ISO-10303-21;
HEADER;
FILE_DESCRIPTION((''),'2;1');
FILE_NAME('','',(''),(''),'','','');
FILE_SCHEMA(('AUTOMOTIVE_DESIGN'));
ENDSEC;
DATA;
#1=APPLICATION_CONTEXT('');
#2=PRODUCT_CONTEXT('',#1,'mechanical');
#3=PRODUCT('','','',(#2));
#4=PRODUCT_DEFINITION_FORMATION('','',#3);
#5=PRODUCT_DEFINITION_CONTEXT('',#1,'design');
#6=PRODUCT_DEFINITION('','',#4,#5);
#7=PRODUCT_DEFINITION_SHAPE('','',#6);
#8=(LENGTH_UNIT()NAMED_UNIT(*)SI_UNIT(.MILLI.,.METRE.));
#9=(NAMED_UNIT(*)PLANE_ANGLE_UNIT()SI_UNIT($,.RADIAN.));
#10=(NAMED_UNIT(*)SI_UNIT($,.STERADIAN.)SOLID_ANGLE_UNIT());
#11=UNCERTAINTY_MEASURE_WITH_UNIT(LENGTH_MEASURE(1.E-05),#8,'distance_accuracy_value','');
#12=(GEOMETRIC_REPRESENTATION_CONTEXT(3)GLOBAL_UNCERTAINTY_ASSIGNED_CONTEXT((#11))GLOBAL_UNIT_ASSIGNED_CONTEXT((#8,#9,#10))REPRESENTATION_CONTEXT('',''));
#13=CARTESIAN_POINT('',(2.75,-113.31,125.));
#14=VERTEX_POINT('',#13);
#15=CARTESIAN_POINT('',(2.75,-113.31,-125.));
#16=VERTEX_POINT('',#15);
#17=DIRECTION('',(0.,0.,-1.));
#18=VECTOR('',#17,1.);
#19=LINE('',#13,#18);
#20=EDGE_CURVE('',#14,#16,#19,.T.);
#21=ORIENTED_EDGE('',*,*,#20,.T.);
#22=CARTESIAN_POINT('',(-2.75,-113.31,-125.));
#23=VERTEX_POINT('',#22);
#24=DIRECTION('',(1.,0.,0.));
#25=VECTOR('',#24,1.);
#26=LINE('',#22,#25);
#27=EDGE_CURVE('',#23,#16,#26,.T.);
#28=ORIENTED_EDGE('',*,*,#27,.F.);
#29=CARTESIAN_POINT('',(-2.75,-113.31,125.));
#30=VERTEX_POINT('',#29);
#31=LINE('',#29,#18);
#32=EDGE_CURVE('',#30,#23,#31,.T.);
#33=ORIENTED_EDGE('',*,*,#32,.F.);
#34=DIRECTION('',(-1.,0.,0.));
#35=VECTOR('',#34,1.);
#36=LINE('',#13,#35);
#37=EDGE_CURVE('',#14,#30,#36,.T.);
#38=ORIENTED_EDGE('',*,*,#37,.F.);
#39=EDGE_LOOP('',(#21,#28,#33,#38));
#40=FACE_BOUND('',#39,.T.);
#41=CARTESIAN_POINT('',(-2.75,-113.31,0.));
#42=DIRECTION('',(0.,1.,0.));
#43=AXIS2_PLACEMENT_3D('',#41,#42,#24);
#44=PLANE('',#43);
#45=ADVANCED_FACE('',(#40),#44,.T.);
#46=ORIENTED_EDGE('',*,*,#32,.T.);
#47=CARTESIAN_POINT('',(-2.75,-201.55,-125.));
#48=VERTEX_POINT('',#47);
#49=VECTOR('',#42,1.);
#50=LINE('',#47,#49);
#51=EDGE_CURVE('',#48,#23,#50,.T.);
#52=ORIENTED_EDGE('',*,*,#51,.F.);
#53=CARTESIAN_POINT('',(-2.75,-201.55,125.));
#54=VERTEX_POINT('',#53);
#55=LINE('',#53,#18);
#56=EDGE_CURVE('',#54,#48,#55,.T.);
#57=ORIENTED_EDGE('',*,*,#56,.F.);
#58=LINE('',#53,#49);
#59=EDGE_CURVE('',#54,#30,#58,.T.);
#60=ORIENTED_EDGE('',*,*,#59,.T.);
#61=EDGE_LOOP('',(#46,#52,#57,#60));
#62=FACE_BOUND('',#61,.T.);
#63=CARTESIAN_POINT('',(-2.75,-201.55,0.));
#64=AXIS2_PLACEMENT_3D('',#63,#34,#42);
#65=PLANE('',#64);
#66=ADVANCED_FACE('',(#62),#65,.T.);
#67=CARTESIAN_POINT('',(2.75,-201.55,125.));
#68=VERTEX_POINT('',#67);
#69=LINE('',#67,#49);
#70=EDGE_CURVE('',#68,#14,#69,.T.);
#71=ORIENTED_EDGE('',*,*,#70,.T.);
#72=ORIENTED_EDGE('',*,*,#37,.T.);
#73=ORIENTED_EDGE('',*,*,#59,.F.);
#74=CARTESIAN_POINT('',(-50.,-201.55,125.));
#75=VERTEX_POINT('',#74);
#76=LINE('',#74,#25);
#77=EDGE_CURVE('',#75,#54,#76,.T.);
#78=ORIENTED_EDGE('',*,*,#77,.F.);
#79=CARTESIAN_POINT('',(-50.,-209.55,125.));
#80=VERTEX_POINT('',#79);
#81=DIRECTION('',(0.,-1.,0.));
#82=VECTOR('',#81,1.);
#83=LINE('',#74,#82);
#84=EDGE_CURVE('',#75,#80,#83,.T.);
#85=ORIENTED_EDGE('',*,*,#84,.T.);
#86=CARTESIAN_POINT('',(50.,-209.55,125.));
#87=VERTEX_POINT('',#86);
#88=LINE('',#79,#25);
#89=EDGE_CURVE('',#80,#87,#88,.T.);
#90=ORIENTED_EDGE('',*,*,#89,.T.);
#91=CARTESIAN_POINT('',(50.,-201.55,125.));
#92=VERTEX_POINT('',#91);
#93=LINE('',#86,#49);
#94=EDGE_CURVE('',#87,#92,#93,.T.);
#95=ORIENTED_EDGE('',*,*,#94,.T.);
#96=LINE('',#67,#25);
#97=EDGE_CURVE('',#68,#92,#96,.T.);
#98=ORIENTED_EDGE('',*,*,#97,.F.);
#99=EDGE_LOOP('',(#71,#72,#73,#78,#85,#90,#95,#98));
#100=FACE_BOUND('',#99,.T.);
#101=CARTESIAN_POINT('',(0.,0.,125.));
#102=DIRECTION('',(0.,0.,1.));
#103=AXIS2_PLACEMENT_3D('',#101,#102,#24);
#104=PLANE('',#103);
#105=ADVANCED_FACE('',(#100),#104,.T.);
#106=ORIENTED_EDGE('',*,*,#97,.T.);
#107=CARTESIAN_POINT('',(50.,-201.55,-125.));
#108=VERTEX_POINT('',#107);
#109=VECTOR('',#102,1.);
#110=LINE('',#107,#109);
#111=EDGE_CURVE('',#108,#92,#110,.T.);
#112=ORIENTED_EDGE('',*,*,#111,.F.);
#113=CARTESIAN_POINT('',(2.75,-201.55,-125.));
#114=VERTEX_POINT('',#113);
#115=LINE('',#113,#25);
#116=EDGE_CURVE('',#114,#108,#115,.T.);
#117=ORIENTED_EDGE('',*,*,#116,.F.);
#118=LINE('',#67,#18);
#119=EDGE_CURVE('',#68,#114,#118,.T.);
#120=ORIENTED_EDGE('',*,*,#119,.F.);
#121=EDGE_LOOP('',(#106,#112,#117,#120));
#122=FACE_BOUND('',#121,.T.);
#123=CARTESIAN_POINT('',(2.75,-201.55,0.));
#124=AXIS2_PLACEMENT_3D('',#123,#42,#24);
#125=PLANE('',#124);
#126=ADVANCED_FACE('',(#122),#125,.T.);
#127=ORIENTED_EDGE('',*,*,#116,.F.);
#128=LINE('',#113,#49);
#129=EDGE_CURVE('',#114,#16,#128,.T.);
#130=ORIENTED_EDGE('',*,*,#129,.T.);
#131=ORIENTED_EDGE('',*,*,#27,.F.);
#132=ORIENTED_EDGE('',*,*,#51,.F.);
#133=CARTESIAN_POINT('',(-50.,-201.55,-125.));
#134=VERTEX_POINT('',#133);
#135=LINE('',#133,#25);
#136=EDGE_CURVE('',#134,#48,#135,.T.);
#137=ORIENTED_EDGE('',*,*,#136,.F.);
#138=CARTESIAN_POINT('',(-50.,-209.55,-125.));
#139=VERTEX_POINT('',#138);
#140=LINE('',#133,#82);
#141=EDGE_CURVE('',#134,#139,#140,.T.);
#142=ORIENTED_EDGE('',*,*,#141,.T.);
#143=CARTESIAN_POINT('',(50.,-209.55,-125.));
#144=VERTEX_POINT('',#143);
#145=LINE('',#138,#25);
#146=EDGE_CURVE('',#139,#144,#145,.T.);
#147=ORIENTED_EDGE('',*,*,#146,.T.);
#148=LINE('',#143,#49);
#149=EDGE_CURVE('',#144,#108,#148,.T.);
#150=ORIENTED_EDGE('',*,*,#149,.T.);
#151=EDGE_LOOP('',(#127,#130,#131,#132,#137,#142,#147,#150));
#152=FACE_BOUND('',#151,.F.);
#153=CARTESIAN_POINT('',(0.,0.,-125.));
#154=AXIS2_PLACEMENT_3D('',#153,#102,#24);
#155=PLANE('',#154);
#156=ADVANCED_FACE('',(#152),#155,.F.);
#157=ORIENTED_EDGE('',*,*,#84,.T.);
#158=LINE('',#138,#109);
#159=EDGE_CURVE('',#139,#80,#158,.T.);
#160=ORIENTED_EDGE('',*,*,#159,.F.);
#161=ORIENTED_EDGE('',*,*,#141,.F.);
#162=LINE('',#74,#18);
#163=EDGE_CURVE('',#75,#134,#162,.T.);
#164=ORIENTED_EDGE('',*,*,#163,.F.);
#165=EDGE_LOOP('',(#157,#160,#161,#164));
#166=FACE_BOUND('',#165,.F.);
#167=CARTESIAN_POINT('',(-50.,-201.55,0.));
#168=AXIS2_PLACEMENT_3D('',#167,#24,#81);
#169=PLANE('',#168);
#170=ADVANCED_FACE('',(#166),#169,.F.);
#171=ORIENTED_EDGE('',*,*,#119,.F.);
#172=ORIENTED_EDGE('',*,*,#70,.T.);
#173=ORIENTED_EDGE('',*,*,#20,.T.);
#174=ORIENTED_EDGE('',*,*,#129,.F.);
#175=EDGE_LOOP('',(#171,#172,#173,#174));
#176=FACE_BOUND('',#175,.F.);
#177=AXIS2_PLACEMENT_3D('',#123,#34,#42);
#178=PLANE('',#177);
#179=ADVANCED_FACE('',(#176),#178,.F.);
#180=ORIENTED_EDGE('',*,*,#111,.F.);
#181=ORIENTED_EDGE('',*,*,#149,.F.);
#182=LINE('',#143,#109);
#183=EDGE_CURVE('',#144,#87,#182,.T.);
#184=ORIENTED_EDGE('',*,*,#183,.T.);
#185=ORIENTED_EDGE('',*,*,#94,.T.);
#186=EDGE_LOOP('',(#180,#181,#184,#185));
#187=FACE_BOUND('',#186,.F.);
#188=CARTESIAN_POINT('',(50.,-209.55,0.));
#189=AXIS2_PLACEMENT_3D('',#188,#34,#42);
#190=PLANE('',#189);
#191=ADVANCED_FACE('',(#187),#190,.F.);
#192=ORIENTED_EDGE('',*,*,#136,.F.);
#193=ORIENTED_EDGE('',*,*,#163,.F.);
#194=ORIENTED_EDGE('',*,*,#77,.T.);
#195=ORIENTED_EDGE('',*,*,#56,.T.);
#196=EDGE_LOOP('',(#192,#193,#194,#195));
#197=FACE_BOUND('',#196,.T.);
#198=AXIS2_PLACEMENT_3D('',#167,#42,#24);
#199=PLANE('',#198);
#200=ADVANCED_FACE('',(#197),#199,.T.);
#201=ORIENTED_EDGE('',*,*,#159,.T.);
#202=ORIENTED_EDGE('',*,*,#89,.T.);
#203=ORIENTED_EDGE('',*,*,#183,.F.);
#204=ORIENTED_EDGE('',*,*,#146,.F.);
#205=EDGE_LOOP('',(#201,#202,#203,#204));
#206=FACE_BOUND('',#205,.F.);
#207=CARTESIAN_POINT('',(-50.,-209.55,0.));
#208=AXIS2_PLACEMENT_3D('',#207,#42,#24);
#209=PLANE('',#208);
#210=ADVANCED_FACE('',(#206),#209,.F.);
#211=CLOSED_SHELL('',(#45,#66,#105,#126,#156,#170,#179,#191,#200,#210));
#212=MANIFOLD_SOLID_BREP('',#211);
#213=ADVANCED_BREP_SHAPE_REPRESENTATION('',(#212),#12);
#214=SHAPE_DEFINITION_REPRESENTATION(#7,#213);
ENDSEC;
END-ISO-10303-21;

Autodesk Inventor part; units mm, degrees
ref_plane "YZ Plane" through (0, 0, 0) normal (1, 0, 0) x (0, 1, 0)
ref_plane "XZ Plane" through (0, 0, 0) normal (0, 1, 0) x (-1, 0, 0)
ref_plane "XY Plane" through (0, 0, 0) normal (0, 0, 1) x (1, 0, 0)
sketch "草圖1" plane through (0, 0, 0) normal (0, 0, 1) x (1, 0, 0)
  circle A0 centre (0, 0) radius 109.55
  line L0 (-94.8731, -54.775) -> (-98.1293, -56.655)
  line L1 (94.8731, -54.775) -> (98.1293, -56.655)
  line L2 (-117.81, 0) -> (117.81, 0) projected
  arc A1 (-98.1293, -56.655) -> (98.1293, -56.655) centre (0, 0) ccw
  circle A2 centre (0, 0) radius 105.79
  dimension "d0" = 219.1
  dimension "d4" = 120
  dimension "d5" = 30
  dimension "d6" = 30
  dimension "d7" = 3.76
  dimension "d12" = 3.76
sketch "草圖2" plane through (0, 0, 0) normal (0, 0, 1) x (1, 0, 0)
  line L0 (-44.45, 0) -> (44.45, 0) construction
  line L1 (-50, -209.55) -> (50, -209.55)
  line L2 (0, -109.55) -> (-51.4901, -109.55) construction
  line L3 (0, -113.31) -> (0, -136.45) construction
  line L4 (-50, -201.55) -> (-50, -209.55)
  line L5 (50, -209.55) -> (50, -201.55)
  line L6 (-50, -201.55) -> (-2.75, -201.55)
  line L7 (2.75, -201.55) -> (50, -201.55)
  line L8 (-51.4901, -113.31) -> (60.072, -113.31)
  line L9 (-2.75, -201.55) -> (-2.75, -113.31)
  line L10 (2.75, -201.55) -> (2.75, -113.31)
  arc A0 (-98.1293, -56.655) -> (98.1293, -56.655) centre (0, 0) ccw projected
  circle A1 centre (0, 0) radius 109.55 projected
  point P0 (2.75, -209.55)
  point P1 (-2.75, -209.55)
  point P2 (2.75, -87.55)
  point P3 (-2.75, -87.55)
  dimension "d14" = 100
  dimension "d15" = 100
  dimension "d18" = 8
  dimension "d19" = 5.5
  dimension "d20" = 5.5
  dimension "d21" = 8
  dimension "d22" = 100
extrude "擠出3" add sketch "草圖2" along normal mid plane 250 contours L4 L6 L9 L8 L10 L7 L5 L1
equation "\"d12\" = d7"
equation "\"d14\" = Hops"
equation "\"d15\" = Section_buttom_A"
equation "\"d18\" = Section_Top_thick"
equation "\"d19\" = Section_mid_thick"
equation "\"d20\" = Section_mid_thick"
equation "\"d21\" = d18"
equation "\"d22\" = d15"
equation "\"d23\" = Lops"
equation "\"Section_buttom_A\" = 100"
equation "\"Extra_Plate_B\" = 0"
equation "\"Section_mid_thick\" = 5.5"
equation "\"Section_Top_thick\" = 8"
equation "\"Section_front_gap\" = 35"
equation "\"Section_side_Gap\" = 25"
equation "\"Hops\" = 100"
equation "\"d17\" = Section_Top_thick"
equation "\"Lops\" = Extra_Lops"
equation "\"Extra_Lops\" = 250"
properties part number "A"
